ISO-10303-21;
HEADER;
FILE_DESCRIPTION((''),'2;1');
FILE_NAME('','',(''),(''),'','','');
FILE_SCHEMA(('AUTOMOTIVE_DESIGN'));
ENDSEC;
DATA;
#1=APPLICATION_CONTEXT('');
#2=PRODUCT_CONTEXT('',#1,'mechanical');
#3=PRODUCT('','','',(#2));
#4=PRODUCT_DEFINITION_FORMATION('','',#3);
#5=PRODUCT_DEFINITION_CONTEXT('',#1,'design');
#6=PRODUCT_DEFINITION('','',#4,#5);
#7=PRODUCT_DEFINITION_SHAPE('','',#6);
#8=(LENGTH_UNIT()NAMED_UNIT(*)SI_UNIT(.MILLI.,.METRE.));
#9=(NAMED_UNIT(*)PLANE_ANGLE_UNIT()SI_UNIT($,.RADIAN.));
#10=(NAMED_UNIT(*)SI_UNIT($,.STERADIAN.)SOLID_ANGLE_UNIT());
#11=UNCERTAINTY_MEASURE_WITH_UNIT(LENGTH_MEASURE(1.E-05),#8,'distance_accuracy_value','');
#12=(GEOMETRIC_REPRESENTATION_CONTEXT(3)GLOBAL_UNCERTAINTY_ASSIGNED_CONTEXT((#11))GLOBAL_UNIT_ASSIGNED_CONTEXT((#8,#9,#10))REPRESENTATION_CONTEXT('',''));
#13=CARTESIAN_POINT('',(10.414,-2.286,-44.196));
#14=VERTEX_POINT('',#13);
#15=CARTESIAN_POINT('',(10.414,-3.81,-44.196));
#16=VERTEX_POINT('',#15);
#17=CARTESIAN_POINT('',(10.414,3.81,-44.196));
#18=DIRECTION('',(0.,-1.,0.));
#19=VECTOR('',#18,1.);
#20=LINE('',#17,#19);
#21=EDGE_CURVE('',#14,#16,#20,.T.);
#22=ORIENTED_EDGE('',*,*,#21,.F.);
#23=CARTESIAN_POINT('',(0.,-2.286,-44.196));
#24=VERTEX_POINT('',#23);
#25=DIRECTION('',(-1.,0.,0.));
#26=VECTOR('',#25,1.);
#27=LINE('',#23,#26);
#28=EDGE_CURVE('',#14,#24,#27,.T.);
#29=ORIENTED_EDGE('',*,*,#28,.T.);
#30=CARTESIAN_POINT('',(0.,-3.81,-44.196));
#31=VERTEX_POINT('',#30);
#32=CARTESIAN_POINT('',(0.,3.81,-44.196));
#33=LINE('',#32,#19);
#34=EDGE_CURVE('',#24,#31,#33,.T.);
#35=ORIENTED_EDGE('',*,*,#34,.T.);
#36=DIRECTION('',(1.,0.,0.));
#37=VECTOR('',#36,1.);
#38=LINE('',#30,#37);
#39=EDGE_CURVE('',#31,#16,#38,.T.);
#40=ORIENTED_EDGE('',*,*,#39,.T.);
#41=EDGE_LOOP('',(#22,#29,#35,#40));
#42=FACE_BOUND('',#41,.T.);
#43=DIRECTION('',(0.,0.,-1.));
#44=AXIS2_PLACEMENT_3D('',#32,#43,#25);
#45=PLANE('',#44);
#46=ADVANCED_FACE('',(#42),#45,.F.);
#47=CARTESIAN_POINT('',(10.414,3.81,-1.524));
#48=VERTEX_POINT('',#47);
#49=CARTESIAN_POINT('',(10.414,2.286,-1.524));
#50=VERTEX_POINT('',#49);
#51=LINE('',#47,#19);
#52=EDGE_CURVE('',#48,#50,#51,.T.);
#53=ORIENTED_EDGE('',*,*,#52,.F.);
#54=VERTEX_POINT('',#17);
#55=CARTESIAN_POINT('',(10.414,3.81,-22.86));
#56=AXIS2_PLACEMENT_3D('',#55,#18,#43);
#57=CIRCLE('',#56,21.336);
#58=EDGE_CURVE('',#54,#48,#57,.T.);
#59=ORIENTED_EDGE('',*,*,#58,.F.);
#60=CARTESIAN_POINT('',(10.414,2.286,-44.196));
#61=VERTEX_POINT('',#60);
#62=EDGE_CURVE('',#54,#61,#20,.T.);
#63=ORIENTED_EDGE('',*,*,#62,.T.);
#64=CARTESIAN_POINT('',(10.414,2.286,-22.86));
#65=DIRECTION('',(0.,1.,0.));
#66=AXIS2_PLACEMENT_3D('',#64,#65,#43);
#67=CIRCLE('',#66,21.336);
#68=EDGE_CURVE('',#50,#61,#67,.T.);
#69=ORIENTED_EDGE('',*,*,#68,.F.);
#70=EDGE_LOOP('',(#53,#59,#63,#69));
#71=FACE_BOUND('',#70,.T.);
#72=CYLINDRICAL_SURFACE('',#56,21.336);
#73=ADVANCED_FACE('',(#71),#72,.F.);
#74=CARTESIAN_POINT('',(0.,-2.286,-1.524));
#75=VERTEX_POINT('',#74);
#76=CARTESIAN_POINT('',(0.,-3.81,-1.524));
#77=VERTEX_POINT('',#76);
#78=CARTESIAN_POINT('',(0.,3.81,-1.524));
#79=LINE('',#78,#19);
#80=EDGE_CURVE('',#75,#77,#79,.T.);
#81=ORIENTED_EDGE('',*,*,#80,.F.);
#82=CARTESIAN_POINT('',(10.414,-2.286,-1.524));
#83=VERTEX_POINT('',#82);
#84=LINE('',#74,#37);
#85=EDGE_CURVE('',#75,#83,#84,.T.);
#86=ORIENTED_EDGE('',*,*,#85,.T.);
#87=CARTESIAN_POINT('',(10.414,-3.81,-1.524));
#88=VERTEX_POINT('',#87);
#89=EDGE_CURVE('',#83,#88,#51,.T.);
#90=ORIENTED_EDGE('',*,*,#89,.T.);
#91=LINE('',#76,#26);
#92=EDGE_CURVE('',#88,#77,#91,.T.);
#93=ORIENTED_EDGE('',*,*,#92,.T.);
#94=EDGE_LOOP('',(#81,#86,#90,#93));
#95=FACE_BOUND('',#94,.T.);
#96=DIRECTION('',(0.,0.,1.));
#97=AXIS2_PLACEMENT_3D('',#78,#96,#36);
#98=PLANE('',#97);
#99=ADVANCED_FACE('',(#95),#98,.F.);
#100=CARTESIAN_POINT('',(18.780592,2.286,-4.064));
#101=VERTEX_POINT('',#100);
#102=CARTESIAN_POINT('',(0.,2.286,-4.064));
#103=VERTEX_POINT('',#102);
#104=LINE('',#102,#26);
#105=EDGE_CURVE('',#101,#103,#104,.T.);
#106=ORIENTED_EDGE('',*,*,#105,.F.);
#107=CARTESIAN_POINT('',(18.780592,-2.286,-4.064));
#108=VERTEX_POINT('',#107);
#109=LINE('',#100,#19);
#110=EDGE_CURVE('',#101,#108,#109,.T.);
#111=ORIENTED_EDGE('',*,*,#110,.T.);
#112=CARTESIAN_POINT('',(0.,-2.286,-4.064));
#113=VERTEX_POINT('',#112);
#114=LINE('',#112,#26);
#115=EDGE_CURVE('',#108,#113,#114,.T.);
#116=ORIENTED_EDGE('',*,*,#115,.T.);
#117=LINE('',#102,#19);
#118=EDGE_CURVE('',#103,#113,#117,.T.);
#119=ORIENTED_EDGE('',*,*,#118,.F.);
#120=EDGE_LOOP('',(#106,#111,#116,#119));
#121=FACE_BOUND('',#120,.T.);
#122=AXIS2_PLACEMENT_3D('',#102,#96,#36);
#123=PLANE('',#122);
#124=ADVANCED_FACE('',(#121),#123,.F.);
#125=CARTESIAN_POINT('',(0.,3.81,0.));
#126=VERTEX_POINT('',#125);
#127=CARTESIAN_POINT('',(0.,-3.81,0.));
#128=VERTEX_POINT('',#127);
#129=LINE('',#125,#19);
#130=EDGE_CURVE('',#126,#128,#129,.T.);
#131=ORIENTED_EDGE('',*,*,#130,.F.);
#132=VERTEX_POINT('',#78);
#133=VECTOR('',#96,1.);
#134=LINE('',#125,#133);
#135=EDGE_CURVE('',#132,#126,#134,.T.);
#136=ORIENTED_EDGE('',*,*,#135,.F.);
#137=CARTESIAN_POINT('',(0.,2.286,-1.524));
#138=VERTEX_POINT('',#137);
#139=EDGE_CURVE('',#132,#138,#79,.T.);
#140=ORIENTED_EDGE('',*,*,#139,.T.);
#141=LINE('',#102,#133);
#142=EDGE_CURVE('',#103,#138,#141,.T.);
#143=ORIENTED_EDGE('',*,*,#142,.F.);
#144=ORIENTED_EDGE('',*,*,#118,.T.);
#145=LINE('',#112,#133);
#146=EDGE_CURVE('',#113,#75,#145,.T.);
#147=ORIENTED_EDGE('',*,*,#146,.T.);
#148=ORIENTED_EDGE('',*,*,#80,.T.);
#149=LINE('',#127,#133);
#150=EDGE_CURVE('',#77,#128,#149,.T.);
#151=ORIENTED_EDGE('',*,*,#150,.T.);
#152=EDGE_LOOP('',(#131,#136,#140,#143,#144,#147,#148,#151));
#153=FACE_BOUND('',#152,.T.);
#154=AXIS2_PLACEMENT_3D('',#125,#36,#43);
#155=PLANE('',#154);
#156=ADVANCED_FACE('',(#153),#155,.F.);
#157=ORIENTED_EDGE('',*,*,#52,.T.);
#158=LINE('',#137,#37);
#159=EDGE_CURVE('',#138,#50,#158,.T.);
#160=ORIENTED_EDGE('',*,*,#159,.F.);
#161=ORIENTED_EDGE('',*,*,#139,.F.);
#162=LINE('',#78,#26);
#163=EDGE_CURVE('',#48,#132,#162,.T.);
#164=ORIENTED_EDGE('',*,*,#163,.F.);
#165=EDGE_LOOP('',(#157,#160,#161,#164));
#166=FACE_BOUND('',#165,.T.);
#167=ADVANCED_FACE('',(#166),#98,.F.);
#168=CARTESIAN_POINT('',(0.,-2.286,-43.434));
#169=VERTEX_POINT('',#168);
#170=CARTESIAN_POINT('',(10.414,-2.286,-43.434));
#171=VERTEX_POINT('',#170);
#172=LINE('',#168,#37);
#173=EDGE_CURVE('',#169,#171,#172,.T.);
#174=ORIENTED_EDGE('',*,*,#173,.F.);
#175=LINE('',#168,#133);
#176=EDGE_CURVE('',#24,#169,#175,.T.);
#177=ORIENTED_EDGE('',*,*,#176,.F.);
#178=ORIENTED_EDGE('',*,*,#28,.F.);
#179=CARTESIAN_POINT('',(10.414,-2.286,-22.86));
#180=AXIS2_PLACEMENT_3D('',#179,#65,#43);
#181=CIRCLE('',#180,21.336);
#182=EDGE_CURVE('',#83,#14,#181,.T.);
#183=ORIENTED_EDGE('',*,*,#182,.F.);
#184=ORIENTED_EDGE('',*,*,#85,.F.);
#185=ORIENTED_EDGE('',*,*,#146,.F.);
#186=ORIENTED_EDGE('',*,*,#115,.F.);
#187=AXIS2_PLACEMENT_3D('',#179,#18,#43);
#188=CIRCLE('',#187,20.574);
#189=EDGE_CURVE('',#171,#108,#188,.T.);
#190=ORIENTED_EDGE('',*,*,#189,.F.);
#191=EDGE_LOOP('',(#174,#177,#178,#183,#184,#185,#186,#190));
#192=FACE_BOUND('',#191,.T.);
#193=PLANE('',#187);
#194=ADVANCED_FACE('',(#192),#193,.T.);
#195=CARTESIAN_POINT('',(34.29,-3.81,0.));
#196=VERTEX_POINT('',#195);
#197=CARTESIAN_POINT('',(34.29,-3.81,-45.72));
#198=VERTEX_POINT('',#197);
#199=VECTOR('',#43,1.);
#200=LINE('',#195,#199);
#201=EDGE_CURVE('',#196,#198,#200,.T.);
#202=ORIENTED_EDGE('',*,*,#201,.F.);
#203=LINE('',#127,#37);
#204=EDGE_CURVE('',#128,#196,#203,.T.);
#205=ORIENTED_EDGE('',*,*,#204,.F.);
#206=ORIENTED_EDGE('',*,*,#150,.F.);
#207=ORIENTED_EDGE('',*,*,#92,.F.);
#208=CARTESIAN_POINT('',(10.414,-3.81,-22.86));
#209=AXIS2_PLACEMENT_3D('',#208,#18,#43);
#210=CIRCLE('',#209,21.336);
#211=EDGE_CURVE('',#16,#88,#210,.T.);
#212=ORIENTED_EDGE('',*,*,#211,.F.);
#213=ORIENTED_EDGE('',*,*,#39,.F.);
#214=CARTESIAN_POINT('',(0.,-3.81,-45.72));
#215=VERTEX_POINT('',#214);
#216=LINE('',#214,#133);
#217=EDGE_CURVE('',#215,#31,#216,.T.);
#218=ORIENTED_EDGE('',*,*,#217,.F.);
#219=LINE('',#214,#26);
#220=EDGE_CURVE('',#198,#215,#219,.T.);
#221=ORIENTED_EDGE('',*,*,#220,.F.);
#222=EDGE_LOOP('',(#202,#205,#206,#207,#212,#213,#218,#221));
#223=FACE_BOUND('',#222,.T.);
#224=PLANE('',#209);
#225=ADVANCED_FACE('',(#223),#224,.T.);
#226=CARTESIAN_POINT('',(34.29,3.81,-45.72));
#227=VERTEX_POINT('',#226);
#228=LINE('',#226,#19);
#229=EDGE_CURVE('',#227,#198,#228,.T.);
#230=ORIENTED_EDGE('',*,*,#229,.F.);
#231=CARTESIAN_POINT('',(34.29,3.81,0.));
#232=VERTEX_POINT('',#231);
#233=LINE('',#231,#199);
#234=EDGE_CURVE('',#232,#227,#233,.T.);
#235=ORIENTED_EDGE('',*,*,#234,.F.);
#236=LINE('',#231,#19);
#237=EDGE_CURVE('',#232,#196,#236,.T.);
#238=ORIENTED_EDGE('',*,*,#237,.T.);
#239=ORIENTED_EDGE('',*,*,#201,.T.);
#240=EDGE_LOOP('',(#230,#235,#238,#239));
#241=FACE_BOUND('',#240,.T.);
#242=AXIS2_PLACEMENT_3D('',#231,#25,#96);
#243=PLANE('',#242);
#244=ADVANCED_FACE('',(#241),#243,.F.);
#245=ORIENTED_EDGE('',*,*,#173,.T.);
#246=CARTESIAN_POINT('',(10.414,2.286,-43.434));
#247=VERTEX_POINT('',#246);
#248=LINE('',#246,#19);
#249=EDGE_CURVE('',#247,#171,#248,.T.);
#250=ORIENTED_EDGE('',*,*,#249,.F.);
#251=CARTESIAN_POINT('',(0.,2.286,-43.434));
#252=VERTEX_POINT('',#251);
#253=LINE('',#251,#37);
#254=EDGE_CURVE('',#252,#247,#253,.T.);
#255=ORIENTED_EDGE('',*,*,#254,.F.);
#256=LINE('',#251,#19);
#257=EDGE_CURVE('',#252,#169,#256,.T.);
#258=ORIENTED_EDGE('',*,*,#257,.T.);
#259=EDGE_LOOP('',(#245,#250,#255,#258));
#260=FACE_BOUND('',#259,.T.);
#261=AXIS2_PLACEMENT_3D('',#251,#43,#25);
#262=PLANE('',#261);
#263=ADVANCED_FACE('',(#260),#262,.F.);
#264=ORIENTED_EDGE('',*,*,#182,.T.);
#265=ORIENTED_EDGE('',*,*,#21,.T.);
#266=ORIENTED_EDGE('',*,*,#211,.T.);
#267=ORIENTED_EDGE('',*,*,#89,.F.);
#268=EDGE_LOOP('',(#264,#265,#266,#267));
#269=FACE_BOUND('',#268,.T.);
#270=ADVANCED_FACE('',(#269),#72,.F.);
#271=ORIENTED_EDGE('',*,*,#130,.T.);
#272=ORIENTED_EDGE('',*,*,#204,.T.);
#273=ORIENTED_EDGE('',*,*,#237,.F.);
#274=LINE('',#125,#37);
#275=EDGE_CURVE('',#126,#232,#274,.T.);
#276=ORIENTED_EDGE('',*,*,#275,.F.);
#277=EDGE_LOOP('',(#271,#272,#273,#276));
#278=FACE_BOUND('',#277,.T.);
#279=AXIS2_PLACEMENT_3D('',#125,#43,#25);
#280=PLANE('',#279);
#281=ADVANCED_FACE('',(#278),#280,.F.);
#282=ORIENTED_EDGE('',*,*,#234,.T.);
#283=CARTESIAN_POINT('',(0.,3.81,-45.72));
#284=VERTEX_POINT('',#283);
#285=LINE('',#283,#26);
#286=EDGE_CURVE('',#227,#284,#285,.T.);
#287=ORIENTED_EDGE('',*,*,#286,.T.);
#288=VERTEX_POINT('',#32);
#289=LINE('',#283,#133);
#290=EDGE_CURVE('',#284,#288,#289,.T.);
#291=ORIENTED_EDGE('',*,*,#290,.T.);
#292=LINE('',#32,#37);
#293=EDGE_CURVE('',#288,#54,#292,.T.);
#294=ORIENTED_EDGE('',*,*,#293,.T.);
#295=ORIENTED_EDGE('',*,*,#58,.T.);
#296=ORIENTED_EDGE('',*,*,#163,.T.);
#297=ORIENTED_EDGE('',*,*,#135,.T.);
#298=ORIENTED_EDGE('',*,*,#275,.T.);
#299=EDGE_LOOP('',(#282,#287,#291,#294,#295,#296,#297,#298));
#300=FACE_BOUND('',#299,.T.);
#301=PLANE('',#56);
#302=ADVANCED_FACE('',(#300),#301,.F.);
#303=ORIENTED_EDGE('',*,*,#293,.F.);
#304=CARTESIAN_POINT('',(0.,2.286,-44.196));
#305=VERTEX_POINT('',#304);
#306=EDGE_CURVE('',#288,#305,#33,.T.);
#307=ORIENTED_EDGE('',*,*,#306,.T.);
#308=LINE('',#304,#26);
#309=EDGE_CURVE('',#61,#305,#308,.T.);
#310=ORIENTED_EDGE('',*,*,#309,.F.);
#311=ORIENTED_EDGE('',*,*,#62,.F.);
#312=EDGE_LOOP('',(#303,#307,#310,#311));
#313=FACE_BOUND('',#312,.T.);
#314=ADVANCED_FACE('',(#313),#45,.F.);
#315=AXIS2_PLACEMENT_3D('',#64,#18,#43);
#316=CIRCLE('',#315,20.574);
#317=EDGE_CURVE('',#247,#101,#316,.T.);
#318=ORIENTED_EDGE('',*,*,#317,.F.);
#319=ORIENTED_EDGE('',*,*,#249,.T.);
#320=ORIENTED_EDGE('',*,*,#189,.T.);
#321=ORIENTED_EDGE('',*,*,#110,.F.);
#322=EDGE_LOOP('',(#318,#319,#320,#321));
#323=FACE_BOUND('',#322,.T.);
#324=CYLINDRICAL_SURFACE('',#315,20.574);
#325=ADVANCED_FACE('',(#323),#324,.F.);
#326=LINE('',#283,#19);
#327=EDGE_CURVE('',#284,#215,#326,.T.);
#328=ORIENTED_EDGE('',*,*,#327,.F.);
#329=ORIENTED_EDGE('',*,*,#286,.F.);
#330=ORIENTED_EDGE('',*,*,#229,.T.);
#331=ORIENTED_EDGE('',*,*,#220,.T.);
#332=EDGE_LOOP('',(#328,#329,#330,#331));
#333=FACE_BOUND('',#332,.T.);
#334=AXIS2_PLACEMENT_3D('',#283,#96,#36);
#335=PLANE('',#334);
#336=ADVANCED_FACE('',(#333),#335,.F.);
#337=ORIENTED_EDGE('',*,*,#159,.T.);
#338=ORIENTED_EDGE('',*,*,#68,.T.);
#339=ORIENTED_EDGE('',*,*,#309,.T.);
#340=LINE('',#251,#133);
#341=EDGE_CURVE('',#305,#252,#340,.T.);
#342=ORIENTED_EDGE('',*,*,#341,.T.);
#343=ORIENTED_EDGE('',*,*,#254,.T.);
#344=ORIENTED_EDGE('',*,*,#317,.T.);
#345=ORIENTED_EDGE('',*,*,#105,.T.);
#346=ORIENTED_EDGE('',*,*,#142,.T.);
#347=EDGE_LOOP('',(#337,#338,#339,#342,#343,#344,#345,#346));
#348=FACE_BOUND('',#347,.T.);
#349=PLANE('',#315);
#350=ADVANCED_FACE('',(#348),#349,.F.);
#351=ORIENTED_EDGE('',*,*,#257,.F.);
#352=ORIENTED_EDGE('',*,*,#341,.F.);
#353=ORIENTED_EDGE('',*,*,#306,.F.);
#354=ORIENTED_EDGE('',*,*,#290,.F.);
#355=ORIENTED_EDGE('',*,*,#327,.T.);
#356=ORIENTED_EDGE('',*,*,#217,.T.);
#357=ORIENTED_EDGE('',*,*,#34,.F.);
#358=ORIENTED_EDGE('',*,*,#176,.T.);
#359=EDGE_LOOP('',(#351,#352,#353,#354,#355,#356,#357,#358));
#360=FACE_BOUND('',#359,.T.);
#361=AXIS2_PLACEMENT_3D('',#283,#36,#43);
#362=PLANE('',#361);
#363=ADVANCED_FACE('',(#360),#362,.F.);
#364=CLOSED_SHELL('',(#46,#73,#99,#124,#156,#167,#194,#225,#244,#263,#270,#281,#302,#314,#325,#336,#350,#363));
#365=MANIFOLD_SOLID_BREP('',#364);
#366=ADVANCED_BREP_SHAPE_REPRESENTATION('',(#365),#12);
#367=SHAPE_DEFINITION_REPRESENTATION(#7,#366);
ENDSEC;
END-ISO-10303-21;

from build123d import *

# Parameters (mm, degrees)
BOSS_EXTRUDE1_DEPTH = 3.81
BOSS_EXTRUDE2_DEPTH = 2.286


with BuildPart() as part:
    # Sketch1 → Boss-Extrude1 (new, symmetric)
    with BuildSketch(Plane(origin=(0, 0, 0), x_dir=(1, 0, 0), z_dir=(0, 1, 0))):
        with BuildLine():
            Line((0, 45.72), (0, 44.196))
            Line((0, 44.196), (10.414, 44.196))
            ThreePointArc((10.414, 44.196), (31.75, 22.86), (10.414, 1.524))
            Line((10.414, 1.524), (0, 1.524))
            Line((0, 1.524), (0, 0))
            Line((0, 0), (34.29, 0))
            Line((34.29, 0), (34.29, 45.72))
            Line((34.29, 45.72), (0, 45.72))
        make_face()
    extrude(amount=BOSS_EXTRUDE1_DEPTH, both=True)

    # Sketch2 → Boss-Extrude2 (add, symmetric)
    with BuildSketch(Plane(origin=(0, 0, 0), x_dir=(1, 0, 0), z_dir=(0, 1, 0))):
        with BuildLine():
            Line((0, 4.064), (18.780591899, 4.064))
            ThreePointArc((18.780591899, 4.064), (30.538591673, 27.136714393), (10.414, 43.434))
            Line((10.414, 43.434), (0, 43.434))
            Line((0, 43.434), (0, 44.196))
            Line((0, 44.196), (10.414, 44.196))
            ThreePointArc((10.414, 44.196), (31.75, 22.86), (10.414, 1.524))
            Line((10.414, 1.524), (0, 1.524))
            Line((0, 1.524), (0, 4.064))
        make_face()
    extrude(amount=BOSS_EXTRUDE2_DEPTH, both=True)


solid = part.part
